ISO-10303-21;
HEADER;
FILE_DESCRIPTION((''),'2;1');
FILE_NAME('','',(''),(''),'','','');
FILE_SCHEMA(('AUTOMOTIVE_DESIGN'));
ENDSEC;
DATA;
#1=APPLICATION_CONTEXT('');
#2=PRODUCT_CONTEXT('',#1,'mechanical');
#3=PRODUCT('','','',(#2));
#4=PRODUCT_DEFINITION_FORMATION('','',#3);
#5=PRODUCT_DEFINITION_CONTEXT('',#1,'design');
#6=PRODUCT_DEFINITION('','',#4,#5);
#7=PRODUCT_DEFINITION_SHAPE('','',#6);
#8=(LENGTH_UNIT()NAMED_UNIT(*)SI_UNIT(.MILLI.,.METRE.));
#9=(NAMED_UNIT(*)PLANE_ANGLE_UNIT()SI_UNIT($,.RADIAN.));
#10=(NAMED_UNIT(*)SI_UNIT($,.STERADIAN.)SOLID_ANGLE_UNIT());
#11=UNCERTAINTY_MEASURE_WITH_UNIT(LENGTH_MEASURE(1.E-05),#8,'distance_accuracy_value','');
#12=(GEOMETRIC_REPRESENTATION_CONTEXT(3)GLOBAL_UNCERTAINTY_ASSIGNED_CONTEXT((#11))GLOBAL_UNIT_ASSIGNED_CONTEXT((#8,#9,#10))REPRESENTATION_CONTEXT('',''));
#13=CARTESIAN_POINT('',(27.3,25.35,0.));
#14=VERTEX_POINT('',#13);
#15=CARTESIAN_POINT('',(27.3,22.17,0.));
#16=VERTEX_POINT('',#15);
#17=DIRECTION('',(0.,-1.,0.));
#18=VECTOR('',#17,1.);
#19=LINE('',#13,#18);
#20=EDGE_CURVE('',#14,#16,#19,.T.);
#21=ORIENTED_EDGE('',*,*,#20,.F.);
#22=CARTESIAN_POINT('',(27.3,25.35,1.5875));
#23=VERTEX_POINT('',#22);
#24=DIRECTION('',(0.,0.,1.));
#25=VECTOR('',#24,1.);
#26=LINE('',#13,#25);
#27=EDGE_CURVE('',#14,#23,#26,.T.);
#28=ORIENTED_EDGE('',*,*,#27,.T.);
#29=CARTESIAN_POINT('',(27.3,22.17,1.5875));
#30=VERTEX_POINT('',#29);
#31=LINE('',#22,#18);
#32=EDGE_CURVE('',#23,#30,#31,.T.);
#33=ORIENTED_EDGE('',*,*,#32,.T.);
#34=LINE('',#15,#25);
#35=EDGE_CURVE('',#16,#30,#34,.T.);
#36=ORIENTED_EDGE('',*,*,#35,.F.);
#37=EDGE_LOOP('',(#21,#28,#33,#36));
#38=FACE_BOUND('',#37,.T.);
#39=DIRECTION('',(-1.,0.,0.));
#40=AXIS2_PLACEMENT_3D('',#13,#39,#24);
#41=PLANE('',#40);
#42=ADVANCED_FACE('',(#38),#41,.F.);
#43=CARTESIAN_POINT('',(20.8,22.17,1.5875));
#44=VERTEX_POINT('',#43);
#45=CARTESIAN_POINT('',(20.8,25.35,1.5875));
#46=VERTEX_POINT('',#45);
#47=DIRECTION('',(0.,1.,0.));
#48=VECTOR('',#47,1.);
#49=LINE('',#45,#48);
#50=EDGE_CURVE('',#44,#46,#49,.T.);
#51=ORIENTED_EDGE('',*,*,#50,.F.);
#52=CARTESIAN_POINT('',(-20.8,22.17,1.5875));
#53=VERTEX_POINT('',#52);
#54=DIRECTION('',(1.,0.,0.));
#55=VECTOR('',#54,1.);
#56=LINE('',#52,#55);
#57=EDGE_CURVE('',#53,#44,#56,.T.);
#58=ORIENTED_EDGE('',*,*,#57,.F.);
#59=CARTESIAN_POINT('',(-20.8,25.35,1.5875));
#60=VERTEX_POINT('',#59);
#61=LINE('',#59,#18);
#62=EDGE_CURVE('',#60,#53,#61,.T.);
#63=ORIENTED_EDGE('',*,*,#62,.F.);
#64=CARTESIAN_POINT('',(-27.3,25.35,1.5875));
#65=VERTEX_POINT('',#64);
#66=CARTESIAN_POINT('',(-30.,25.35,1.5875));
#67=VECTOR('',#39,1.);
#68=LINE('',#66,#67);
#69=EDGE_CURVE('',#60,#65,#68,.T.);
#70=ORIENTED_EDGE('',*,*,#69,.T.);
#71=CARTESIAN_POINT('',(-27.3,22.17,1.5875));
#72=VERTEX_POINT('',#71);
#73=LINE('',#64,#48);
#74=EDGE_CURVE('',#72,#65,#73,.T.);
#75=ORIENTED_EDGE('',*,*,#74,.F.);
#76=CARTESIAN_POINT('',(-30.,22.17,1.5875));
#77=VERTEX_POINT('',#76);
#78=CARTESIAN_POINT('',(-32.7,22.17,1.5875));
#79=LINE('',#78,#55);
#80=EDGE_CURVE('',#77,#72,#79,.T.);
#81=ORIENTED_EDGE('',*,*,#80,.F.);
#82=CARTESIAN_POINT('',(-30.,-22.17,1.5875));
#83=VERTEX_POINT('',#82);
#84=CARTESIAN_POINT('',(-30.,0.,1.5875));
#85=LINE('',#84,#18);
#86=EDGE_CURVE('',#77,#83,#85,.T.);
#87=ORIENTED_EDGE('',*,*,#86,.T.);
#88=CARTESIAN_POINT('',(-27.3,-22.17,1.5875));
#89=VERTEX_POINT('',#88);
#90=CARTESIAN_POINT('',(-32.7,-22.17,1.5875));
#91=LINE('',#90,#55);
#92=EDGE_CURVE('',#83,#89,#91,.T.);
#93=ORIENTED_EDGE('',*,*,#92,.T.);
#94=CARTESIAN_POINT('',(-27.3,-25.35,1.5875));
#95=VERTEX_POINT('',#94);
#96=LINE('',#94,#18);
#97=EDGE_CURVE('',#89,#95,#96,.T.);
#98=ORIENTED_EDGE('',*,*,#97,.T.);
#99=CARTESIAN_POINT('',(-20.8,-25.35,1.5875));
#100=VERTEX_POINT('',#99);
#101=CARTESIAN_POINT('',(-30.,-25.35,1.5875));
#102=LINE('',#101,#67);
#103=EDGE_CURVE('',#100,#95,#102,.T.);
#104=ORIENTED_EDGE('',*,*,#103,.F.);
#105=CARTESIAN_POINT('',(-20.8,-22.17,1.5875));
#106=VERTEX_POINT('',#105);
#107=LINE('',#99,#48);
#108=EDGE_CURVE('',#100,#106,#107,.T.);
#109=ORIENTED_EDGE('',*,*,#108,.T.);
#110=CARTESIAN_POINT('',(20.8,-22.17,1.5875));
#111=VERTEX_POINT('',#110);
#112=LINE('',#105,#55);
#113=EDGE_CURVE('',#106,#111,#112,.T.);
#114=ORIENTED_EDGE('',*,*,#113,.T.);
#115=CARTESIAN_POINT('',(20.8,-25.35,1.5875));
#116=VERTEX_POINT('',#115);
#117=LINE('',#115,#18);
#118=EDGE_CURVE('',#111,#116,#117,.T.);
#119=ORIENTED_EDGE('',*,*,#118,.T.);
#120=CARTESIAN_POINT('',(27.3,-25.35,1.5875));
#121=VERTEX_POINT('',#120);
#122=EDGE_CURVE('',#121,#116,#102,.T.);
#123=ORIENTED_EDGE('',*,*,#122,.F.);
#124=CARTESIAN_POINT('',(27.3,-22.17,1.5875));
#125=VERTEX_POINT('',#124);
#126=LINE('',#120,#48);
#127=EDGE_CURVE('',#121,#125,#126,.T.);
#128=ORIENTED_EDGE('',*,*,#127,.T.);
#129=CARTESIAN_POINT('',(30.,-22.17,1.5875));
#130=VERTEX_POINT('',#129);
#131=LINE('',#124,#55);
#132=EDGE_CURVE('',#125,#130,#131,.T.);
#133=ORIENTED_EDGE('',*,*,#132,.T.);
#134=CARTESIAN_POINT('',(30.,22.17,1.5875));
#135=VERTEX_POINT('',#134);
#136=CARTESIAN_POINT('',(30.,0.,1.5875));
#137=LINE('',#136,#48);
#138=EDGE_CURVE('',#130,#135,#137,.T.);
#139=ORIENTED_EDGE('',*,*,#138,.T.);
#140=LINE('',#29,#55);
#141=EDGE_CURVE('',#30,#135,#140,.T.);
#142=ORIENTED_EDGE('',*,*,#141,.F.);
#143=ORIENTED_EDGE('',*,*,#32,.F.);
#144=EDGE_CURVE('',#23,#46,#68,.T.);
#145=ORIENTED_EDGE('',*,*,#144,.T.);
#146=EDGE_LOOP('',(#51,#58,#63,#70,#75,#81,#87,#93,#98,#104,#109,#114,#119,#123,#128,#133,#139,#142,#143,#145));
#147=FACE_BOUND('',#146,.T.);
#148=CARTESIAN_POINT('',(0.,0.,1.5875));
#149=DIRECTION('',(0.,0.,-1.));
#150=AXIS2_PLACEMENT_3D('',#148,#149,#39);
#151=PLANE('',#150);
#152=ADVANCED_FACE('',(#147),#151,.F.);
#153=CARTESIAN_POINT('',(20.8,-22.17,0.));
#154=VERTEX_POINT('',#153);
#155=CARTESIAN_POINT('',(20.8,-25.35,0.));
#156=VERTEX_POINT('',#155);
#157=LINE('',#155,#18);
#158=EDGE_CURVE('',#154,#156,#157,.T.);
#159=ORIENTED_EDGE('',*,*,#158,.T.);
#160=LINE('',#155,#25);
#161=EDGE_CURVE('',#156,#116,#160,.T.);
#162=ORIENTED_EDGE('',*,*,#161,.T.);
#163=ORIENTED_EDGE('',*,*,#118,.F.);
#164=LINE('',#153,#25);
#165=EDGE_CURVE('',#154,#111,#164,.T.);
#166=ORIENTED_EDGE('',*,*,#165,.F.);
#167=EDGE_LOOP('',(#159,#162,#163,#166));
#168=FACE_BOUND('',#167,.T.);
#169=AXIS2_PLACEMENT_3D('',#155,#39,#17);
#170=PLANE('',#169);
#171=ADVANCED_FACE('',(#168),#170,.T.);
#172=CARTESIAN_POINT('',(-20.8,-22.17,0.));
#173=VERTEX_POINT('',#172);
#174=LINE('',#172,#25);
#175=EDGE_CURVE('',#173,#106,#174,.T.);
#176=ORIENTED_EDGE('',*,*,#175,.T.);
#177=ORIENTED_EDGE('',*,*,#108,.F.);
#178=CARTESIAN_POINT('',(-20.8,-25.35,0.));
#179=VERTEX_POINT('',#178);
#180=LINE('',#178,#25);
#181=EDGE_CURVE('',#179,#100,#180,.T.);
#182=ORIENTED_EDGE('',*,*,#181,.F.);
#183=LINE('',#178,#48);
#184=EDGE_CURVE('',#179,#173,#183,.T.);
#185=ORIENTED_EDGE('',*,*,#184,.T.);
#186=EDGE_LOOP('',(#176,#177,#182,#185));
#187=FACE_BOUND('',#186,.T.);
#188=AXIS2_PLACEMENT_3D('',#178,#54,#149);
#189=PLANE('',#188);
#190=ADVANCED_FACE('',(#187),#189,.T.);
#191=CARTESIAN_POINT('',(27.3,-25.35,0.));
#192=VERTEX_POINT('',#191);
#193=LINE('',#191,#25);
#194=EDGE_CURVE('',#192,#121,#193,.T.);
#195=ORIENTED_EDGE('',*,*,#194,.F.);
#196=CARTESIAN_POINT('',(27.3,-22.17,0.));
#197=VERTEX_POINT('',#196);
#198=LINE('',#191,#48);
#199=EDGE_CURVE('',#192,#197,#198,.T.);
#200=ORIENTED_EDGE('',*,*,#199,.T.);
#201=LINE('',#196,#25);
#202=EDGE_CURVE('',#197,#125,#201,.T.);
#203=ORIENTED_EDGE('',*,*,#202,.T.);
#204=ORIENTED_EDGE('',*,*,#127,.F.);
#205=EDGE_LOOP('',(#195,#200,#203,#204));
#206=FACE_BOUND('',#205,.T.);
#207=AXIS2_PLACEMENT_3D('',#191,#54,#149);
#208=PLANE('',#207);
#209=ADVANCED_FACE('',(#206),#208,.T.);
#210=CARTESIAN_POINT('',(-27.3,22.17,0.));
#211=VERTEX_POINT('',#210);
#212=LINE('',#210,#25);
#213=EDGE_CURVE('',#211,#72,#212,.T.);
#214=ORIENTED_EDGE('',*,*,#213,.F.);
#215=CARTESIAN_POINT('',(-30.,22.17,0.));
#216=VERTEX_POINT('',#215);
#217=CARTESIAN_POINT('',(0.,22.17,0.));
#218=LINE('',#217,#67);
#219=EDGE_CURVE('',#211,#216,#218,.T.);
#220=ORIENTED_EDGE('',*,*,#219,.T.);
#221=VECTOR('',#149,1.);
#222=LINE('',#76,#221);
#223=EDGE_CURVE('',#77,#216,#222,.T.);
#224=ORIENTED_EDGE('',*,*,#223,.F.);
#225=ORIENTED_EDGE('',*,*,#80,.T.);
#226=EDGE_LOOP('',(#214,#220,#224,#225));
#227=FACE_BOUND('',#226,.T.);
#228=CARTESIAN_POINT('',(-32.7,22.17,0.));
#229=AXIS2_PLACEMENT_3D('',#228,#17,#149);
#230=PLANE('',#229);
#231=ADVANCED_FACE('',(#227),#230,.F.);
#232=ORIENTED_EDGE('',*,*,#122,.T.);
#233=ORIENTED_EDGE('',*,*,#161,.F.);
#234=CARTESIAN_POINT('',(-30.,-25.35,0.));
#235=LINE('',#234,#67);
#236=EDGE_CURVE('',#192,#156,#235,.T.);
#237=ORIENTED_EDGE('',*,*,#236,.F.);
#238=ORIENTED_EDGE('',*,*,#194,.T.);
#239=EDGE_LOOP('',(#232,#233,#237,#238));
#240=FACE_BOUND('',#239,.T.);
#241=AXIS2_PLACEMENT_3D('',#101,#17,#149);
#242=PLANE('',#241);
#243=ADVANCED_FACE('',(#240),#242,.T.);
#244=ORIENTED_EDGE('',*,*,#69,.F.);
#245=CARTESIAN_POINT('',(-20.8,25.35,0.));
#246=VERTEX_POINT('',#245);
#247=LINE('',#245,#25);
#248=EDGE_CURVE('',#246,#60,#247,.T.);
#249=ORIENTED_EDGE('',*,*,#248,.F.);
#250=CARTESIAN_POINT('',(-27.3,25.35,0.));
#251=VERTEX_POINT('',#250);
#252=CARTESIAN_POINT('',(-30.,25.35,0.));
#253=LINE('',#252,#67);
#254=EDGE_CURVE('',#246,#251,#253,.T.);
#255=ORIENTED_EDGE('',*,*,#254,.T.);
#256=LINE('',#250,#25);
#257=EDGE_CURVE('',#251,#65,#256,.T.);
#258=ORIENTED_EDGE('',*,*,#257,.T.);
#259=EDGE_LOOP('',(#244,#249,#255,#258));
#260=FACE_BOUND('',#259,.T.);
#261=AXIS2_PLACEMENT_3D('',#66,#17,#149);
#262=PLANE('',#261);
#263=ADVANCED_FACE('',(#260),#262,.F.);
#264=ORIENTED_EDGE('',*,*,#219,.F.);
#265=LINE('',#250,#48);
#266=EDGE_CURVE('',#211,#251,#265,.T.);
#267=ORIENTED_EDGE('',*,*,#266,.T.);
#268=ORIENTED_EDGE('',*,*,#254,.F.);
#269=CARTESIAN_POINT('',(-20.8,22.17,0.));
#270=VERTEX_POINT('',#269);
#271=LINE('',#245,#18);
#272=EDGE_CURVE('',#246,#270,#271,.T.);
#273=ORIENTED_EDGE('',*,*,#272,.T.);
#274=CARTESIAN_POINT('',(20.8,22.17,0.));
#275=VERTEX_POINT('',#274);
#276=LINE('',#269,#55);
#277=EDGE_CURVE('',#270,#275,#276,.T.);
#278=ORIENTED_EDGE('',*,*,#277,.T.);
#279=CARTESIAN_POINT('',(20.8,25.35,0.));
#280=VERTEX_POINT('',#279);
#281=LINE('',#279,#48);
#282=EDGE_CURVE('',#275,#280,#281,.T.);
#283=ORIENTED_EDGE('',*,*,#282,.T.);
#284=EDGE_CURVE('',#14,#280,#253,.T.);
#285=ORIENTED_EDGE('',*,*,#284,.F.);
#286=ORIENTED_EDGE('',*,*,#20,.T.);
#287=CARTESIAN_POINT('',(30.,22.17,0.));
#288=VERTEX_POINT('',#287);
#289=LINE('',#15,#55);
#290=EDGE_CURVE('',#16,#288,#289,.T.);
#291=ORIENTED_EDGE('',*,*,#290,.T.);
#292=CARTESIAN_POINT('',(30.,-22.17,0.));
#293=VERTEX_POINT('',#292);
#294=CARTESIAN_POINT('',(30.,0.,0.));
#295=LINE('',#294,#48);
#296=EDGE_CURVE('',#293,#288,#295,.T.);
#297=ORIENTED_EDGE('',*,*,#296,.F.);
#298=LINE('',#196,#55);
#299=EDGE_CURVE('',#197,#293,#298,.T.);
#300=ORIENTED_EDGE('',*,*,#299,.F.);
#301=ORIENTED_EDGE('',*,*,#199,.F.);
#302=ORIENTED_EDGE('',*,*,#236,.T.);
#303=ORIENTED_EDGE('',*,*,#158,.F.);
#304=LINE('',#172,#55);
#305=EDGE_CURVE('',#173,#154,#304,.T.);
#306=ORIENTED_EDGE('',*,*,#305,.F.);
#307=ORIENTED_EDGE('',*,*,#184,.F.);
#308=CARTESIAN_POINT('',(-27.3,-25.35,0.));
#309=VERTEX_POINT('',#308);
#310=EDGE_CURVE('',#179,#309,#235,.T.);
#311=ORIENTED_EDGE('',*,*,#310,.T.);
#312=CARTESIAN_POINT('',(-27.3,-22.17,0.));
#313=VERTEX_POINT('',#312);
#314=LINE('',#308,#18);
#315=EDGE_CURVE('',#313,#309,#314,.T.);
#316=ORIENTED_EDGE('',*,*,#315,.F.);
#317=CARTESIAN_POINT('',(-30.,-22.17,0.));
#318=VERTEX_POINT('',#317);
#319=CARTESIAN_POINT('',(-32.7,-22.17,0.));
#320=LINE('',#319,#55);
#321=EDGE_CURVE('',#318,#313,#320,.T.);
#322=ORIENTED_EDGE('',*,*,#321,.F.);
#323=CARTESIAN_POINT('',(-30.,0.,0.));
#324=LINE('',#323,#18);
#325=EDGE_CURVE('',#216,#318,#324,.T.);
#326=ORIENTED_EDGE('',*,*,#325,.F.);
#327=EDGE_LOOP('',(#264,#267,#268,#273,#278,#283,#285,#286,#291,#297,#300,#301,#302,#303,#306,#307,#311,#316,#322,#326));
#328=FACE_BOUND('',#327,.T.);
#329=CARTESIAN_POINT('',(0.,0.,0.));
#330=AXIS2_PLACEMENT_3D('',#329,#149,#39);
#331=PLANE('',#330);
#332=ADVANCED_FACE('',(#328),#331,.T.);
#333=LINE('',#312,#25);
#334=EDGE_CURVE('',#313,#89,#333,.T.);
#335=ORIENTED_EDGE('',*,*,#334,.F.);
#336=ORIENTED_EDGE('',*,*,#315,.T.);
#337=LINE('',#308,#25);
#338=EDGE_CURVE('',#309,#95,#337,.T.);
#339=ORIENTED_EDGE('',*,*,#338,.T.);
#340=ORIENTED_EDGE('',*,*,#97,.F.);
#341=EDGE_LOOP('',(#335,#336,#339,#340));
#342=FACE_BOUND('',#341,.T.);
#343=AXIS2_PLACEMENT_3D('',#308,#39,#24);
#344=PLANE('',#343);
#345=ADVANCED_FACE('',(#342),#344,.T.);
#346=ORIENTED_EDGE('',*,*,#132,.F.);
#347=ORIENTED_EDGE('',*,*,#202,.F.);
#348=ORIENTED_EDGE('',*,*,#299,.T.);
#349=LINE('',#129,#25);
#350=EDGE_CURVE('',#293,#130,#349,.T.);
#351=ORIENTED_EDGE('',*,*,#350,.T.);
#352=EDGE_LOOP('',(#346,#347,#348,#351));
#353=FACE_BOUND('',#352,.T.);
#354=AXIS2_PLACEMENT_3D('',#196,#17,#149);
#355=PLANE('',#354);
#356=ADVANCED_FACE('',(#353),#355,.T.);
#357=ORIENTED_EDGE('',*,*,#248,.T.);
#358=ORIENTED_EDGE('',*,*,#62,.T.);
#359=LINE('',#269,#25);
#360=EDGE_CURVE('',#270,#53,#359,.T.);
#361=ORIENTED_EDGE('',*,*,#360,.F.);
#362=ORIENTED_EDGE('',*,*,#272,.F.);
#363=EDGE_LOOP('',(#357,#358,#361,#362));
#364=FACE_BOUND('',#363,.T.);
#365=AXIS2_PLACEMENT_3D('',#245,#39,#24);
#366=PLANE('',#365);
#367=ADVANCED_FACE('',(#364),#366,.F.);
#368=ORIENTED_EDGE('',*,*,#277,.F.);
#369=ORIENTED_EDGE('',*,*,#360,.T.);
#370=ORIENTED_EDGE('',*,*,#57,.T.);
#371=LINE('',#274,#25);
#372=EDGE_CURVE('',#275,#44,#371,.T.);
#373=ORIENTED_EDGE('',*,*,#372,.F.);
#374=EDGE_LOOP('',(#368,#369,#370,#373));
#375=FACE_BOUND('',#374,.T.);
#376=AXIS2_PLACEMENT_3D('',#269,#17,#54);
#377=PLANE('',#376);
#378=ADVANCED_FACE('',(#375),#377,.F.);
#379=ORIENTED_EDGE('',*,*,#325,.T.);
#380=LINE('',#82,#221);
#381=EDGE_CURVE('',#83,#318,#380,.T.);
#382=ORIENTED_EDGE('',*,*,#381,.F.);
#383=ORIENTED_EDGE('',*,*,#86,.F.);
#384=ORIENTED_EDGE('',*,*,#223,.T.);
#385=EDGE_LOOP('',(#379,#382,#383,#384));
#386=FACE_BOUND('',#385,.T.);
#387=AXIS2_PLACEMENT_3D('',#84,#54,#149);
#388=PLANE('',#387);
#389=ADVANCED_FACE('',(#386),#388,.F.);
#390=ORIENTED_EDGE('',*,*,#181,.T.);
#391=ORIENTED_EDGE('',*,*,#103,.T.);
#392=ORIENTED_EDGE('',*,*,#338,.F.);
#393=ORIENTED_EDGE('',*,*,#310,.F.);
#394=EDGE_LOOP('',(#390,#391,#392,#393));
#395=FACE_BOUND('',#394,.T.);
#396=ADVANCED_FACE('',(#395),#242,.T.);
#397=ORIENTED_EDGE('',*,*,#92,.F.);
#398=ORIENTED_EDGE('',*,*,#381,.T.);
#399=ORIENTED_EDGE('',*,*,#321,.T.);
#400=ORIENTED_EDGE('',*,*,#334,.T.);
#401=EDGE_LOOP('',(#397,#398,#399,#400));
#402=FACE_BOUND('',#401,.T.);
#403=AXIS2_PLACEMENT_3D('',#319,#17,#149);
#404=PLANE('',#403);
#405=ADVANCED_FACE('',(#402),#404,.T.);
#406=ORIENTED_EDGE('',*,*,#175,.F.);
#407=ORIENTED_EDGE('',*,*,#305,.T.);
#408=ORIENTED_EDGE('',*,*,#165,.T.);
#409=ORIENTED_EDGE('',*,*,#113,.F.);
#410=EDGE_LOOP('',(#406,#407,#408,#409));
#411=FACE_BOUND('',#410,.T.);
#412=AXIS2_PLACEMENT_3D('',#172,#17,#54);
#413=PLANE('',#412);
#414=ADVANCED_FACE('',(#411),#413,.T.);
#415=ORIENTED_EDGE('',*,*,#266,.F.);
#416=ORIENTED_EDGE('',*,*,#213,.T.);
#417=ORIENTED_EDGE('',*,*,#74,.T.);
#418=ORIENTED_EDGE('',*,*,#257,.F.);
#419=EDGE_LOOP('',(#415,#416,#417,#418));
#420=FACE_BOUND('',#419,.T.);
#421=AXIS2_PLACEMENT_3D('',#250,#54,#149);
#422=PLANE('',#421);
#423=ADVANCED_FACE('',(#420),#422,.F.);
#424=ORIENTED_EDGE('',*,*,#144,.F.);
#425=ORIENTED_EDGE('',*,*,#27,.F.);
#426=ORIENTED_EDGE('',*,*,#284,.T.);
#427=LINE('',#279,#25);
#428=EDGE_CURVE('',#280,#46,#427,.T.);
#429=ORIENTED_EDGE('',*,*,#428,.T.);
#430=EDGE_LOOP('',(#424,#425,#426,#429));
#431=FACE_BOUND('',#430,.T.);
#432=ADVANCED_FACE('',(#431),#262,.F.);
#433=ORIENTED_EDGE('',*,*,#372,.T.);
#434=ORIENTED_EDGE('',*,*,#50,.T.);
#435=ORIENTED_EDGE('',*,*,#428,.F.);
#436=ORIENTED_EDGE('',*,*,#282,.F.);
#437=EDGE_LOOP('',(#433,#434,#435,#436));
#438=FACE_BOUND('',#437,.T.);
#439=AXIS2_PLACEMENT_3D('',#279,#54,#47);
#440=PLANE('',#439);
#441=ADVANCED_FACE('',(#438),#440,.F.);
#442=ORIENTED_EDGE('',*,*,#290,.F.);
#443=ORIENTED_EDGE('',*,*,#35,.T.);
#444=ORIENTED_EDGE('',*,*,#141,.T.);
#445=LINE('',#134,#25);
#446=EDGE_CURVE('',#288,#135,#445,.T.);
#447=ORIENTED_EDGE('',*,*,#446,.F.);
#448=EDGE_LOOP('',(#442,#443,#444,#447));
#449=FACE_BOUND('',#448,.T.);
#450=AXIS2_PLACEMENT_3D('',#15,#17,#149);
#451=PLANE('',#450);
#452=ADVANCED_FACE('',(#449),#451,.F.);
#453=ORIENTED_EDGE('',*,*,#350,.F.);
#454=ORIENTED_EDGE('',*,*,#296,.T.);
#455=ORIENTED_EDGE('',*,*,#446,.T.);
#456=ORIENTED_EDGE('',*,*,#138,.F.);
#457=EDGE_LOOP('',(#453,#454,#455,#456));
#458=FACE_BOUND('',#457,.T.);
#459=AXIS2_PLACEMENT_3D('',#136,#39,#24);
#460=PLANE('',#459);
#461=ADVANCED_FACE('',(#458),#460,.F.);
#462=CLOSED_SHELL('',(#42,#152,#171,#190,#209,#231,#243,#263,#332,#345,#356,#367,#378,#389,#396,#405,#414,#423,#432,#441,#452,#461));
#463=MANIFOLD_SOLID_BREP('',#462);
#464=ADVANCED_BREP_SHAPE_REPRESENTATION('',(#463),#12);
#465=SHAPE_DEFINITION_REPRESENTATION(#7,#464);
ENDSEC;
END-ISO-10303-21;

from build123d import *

# Parameters (mm, degrees)
SKETCH1_W           = 60
SKETCH1_H           = 25.35
BOSS_EXTRUDE1_DEPTH = 1.5875
SKETCH2_W           = 41.6
SKETCH2_H           = 3.18
SKETCH2_W_2         = 5.4
CUT_EXTRUDE1_DEPTH  = 1.5875


with BuildPart() as part:
    # Sketch1 → Boss-Extrude1 (new body)
    with BuildSketch(Plane.XY):
        with Locations((0, 12.675)):
            Rectangle(SKETCH1_W, SKETCH1_H)
    boss_extrude1 = extrude(amount=BOSS_EXTRUDE1_DEPTH)

    # Sketch2 → Cut-Extrude1 (cut)
    with BuildSketch(Plane.XY.offset(1.5875)):
        with Locations((0, 23.76)):
            Rectangle(SKETCH2_W, SKETCH2_H)
        with Locations((30, 23.76)):
            Rectangle(SKETCH2_W_2, SKETCH2_H)
        with Locations((-30, 23.76)):
            Rectangle(SKETCH2_W_2, SKETCH2_H)
    cut_extrude1 = extrude(amount=-CUT_EXTRUDE1_DEPTH, mode=Mode.SUBTRACT)

    # Mirror1: Boss-Extrude1, Cut-Extrude1 across plane
    add(boss_extrude1.mirror(Plane.ZX))
    add(cut_extrude1.mirror(Plane.ZX), mode=Mode.SUBTRACT)


solid = part.part
